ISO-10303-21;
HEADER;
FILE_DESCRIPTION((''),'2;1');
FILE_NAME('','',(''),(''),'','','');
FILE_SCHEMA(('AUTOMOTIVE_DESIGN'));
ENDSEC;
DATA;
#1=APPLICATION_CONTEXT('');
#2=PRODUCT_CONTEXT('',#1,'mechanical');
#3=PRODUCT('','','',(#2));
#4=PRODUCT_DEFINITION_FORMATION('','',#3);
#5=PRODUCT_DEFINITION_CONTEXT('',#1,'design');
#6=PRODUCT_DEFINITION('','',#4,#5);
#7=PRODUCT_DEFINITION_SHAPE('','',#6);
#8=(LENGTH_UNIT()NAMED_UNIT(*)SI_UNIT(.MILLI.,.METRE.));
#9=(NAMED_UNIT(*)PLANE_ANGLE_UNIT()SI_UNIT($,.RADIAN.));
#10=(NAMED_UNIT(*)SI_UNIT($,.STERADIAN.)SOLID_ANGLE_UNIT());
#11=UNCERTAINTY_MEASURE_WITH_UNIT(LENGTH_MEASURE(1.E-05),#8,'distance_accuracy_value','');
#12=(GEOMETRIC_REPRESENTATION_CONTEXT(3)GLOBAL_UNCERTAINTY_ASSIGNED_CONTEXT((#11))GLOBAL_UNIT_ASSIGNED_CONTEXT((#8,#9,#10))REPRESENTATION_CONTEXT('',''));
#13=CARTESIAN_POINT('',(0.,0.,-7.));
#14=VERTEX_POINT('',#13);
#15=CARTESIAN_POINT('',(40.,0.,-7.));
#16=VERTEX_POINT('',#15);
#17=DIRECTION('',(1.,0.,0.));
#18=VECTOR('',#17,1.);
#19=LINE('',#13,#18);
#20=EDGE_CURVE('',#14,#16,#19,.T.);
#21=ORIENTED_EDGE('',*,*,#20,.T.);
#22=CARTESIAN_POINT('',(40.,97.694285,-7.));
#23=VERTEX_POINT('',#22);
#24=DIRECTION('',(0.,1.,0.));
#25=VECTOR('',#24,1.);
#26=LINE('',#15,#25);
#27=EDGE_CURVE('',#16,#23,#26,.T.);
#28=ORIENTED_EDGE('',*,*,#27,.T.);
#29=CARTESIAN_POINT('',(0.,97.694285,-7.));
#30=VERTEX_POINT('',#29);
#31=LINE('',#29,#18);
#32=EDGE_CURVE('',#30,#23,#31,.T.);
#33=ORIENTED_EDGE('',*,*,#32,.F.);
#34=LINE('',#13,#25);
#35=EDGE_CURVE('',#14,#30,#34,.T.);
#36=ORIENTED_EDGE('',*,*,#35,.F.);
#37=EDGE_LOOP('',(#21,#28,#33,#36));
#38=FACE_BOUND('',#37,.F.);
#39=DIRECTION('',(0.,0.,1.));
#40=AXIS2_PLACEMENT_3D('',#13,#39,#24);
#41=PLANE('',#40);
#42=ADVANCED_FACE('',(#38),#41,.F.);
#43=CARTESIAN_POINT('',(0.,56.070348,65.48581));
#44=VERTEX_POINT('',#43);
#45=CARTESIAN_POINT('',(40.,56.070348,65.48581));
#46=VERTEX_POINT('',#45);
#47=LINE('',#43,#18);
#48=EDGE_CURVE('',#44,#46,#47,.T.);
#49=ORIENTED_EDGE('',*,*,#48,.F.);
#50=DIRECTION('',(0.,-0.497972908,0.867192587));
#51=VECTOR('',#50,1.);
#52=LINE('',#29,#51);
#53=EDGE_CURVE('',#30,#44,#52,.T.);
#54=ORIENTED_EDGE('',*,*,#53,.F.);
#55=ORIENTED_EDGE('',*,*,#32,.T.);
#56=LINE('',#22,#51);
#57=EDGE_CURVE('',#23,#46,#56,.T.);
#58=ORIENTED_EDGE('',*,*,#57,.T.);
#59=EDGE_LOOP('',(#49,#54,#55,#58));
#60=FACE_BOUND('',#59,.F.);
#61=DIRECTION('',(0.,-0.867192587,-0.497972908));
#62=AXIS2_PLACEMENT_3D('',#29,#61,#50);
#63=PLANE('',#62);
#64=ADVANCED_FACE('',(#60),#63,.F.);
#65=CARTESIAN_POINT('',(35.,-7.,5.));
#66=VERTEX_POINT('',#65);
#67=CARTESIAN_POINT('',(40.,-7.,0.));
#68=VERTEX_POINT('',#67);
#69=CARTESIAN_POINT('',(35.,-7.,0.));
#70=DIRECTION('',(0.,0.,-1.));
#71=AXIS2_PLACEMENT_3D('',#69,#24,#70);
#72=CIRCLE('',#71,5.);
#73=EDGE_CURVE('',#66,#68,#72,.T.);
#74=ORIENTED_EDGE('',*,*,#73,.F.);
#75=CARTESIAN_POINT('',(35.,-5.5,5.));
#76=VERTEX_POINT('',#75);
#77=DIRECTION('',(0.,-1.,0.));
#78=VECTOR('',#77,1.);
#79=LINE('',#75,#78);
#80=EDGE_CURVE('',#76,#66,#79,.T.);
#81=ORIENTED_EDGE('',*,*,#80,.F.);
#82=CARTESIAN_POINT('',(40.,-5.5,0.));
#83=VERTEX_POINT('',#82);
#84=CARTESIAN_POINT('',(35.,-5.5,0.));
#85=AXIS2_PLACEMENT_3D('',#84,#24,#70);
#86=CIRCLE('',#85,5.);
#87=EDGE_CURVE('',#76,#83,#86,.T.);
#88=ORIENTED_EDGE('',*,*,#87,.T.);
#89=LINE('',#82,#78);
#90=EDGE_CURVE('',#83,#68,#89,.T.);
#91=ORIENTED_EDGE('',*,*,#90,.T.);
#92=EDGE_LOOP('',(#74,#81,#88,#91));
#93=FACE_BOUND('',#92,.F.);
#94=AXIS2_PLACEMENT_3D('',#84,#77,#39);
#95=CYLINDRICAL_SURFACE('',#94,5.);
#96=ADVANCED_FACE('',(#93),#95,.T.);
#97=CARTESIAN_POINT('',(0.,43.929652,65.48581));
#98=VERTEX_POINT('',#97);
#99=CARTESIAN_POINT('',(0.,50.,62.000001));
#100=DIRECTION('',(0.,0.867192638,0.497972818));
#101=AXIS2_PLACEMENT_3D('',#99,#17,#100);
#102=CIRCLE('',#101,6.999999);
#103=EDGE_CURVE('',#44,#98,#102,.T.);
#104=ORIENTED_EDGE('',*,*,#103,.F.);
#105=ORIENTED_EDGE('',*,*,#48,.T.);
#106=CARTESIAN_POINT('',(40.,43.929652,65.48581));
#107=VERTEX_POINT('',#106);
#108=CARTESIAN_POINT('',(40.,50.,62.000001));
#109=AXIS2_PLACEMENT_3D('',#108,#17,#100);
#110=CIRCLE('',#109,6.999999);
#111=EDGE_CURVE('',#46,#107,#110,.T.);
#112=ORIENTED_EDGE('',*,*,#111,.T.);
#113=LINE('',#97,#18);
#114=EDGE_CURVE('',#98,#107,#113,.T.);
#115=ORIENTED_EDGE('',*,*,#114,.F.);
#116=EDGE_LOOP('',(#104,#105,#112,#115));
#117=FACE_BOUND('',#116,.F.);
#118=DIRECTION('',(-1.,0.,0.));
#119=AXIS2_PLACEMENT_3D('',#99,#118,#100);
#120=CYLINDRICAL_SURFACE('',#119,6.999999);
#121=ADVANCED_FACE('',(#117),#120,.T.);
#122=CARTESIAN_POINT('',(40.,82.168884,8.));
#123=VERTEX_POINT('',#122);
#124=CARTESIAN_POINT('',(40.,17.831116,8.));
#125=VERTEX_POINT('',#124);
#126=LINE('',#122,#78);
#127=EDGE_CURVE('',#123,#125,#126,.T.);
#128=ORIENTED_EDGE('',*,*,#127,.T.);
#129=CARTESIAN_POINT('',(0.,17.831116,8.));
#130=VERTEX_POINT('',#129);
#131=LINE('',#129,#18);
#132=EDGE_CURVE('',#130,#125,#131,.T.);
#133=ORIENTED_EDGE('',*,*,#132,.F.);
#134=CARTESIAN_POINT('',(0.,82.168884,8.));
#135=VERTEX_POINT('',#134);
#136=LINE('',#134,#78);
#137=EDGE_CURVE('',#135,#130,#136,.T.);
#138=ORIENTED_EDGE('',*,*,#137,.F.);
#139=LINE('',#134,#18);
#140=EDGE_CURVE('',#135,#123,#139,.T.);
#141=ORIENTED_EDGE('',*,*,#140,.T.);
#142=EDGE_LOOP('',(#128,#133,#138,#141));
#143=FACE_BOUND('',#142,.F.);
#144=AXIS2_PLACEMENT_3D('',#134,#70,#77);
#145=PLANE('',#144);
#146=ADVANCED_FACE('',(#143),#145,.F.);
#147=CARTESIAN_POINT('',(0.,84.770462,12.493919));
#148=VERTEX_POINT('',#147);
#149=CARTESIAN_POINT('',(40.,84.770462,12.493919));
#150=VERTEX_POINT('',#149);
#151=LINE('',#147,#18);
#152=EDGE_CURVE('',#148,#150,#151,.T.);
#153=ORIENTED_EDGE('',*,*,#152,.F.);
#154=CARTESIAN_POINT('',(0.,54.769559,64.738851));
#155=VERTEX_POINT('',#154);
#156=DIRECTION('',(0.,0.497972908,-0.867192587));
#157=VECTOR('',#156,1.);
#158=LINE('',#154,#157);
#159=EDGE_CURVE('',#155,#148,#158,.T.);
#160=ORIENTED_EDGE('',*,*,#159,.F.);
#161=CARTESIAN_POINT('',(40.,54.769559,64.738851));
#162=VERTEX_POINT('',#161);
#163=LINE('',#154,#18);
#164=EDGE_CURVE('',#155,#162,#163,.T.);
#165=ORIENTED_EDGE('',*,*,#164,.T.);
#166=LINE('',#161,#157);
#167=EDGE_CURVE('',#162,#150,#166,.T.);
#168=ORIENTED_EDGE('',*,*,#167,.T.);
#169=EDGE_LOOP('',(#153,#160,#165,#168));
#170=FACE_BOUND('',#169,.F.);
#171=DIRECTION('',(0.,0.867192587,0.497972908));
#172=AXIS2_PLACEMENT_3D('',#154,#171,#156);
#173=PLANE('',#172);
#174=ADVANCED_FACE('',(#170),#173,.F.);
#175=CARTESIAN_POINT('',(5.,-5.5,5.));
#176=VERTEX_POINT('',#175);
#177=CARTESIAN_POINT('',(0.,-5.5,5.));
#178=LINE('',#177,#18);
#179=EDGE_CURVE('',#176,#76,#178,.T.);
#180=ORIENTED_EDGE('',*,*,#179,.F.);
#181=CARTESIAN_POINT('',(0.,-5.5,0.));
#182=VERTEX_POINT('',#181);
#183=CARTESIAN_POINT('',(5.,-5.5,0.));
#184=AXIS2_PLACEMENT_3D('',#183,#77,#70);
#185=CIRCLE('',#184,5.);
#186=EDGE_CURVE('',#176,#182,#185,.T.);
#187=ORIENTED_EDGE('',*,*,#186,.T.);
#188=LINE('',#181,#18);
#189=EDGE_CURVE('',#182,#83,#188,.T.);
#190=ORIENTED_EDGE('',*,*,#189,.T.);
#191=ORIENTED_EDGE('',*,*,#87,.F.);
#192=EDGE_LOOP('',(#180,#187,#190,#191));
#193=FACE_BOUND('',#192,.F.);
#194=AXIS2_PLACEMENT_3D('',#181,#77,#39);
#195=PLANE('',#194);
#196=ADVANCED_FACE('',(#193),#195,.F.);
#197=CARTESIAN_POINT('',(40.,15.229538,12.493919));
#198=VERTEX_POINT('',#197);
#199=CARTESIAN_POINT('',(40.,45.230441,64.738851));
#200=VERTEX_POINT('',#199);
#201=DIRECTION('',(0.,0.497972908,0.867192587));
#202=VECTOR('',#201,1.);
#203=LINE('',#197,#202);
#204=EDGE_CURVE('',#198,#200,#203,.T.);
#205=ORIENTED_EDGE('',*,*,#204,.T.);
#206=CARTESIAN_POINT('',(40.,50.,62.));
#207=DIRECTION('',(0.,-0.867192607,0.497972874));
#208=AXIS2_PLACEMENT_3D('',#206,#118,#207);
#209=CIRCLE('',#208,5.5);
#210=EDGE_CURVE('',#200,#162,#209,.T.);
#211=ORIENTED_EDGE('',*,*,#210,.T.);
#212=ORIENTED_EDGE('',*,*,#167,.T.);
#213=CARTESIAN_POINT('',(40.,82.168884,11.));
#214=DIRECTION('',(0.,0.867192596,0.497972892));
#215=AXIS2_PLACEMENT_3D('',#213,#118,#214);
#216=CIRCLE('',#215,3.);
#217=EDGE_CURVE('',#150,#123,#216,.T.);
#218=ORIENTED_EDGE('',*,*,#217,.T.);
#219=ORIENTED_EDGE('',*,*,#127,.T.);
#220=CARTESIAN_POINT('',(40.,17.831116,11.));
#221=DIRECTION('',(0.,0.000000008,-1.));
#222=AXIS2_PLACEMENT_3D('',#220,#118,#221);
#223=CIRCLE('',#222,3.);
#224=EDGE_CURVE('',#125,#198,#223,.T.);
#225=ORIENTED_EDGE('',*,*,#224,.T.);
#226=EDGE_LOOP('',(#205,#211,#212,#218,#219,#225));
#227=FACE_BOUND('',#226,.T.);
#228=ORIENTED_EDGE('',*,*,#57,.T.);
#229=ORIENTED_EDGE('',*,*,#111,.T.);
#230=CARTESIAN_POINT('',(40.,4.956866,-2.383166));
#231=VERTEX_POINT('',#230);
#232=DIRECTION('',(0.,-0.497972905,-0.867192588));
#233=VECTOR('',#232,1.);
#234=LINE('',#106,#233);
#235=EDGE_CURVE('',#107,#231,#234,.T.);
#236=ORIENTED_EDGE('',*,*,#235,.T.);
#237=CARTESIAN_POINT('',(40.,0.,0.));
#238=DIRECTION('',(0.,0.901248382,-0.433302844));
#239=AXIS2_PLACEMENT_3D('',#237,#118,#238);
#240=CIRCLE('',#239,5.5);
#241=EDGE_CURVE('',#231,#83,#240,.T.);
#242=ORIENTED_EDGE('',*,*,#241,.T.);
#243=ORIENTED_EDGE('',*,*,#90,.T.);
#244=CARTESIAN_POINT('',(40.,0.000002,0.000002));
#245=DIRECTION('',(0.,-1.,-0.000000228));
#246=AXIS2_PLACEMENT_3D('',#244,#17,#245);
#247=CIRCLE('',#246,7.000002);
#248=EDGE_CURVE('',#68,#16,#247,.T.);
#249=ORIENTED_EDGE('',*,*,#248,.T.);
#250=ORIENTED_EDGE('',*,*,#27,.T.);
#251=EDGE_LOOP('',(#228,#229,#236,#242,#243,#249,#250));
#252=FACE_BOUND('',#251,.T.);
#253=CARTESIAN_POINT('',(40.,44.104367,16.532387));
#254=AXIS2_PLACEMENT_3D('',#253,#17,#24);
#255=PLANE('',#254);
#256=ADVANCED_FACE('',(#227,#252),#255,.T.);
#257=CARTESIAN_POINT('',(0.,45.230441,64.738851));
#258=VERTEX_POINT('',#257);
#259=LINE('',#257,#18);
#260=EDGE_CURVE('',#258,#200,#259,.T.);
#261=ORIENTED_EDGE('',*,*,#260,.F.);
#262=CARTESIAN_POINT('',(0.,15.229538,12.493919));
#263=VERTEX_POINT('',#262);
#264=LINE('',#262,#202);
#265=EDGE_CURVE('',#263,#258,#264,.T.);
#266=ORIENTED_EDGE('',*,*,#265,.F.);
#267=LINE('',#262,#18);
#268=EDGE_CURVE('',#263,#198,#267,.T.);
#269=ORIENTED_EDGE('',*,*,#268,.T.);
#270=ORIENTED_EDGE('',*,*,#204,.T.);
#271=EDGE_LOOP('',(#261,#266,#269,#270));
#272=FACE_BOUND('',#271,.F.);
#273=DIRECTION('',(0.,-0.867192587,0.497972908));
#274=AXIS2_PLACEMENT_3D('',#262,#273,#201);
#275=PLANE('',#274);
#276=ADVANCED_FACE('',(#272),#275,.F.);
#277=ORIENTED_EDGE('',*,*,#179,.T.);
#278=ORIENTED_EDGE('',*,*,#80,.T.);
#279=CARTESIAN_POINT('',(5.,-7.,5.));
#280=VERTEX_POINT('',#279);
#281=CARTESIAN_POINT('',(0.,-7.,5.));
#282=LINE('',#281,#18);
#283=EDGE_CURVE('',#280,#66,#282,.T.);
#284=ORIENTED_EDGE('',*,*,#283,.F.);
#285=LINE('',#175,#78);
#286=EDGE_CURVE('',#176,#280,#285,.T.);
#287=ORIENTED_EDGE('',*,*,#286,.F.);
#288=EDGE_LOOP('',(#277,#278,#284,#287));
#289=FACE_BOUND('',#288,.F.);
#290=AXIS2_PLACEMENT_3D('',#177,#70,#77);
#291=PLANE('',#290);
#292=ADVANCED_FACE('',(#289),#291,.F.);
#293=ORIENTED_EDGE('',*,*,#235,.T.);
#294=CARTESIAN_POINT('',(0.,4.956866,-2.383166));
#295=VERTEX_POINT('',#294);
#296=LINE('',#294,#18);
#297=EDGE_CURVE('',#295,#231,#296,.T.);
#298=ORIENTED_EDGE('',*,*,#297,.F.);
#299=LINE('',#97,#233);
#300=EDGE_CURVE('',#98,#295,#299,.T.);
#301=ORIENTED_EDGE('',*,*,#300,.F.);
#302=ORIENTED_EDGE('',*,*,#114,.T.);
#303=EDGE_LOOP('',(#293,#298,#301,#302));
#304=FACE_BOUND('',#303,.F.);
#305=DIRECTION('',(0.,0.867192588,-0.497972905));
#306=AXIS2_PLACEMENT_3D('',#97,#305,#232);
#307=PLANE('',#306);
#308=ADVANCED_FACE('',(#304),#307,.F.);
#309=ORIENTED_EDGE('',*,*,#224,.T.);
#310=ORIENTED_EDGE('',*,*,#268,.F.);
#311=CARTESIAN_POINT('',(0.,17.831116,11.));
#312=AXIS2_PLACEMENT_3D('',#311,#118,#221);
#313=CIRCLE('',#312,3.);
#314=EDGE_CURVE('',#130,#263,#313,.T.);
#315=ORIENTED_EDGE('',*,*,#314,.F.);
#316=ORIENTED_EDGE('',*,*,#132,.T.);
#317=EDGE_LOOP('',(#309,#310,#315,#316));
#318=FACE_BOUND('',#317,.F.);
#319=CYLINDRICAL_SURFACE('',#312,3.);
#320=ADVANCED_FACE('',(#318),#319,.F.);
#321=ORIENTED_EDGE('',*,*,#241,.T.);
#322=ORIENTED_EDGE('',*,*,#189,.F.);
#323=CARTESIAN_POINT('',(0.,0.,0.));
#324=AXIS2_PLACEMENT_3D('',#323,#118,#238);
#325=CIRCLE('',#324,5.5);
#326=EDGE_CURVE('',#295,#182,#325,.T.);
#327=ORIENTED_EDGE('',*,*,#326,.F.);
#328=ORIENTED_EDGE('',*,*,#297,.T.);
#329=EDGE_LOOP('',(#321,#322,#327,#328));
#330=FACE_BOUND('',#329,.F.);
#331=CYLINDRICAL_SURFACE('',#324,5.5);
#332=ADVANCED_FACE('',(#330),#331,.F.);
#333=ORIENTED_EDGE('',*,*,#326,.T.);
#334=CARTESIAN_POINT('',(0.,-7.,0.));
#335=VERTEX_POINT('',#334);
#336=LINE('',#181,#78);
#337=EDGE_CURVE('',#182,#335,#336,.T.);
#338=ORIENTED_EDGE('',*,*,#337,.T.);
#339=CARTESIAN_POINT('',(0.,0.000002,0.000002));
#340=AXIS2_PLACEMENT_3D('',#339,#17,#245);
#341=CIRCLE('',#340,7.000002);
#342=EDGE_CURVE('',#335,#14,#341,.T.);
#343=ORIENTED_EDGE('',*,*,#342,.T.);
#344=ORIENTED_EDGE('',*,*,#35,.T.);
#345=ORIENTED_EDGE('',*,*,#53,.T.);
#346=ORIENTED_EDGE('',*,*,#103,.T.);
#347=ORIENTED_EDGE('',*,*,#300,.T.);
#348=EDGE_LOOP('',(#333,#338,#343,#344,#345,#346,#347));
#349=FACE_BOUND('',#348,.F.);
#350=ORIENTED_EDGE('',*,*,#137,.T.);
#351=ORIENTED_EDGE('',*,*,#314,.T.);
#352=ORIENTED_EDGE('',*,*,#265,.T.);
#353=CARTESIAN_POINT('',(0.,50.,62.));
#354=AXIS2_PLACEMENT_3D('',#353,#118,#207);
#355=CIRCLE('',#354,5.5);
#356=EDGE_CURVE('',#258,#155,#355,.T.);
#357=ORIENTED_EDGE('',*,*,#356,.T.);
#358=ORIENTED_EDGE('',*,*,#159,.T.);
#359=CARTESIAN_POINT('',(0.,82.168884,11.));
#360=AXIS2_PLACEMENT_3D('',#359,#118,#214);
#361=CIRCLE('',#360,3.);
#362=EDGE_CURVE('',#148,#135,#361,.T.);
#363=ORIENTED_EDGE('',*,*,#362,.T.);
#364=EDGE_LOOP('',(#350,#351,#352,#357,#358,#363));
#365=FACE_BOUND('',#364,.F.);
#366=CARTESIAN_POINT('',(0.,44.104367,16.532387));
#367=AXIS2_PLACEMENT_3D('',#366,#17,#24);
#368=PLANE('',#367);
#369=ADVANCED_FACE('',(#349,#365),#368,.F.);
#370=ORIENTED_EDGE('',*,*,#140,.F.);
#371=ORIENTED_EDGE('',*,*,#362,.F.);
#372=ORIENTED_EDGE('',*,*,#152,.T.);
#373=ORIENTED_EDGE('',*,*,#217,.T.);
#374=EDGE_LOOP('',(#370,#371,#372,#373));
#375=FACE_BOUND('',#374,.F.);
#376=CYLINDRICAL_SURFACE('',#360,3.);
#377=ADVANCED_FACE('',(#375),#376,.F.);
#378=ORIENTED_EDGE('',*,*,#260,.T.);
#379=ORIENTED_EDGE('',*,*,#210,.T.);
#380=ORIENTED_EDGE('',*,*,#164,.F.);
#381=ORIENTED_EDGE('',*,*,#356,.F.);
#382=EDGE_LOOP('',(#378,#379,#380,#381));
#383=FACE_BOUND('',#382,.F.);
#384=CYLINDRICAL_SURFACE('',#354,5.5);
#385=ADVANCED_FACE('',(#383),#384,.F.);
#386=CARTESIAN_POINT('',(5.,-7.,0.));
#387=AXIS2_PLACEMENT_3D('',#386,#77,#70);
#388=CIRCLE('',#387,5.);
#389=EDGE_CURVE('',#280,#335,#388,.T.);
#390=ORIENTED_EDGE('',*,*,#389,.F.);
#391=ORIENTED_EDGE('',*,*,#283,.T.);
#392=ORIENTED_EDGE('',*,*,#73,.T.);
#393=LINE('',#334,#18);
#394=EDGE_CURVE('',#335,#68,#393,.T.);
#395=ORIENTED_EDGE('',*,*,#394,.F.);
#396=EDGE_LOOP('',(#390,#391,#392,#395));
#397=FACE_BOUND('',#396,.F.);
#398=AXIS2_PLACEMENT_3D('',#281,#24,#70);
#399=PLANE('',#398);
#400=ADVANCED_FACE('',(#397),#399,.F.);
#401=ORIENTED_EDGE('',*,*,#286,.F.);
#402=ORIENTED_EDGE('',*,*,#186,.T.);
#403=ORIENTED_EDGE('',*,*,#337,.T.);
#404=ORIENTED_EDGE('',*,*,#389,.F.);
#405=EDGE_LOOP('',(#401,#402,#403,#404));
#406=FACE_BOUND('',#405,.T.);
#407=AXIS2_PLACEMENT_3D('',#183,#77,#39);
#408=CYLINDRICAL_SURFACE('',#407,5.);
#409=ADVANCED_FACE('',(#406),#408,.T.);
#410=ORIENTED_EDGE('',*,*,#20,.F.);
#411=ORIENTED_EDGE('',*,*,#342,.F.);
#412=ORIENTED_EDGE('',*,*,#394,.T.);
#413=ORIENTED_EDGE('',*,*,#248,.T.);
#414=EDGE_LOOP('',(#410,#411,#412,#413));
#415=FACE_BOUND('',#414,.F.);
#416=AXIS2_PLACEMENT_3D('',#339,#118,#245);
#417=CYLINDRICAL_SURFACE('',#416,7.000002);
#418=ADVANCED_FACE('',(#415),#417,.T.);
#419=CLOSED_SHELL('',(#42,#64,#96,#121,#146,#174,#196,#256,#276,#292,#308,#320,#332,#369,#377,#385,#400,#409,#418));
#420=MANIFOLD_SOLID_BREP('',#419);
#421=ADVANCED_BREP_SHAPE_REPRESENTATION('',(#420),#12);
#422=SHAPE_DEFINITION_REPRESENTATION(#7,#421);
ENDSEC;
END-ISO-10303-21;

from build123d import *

# Parameters (mm, degrees)
F1_DEPTH = 40
F2_R     = 5


with BuildPart() as f1:
    # F0 (on Right) → F1 (new body)
    with BuildSketch(Plane.YZ):
        with BuildLine():
            Line((-7, 5), (-7, 0))
            ThreePointArc((-7, 0), (-4.949747, -4.949747), (0, -7))
            Line((0, -7), (97.694285, -7))
            Line((97.694285, -7), (56.070348, 65.48581))
            ThreePointArc((56.070348, 65.48581), (50, 69), (43.929652, 65.48581))
            Line((43.929652, 65.48581), (4.956866, -2.383166))
            ThreePointArc((4.956866, -2.383166), (-1.222137, -5.362498), (-5.5, 0))
            Line((-5.5, 0), (-5.5, 5))
            Line((-5.5, 5), (-7, 5))
        make_face()
        with BuildLine():
            ThreePointArc((45.230441, 64.738851), (50, 67.5), (54.769559, 64.738851))
            Line((54.769559, 64.738851), (84.770462, 12.493919))
            ThreePointArc((84.770462, 12.493919), (84.765204, 9.496962), (82.168884, 8))
            Line((82.168884, 8), (17.831116, 8))
            ThreePointArc((17.831116, 8), (15.234796, 9.496962), (15.229538, 12.493919))
            Line((15.229538, 12.493919), (45.230441, 64.738851))
        make_face(mode=Mode.SUBTRACT)
    extrude(amount=F1_DEPTH)

    # F2
    f2_edges = [f1.edges().sort_by_distance(p)[0] for p in [
        (40, -6.25, 5),
        (0, -6.25, 5),
    ]]
    fillet(f2_edges, radius=F2_R)


solid = f1.part
